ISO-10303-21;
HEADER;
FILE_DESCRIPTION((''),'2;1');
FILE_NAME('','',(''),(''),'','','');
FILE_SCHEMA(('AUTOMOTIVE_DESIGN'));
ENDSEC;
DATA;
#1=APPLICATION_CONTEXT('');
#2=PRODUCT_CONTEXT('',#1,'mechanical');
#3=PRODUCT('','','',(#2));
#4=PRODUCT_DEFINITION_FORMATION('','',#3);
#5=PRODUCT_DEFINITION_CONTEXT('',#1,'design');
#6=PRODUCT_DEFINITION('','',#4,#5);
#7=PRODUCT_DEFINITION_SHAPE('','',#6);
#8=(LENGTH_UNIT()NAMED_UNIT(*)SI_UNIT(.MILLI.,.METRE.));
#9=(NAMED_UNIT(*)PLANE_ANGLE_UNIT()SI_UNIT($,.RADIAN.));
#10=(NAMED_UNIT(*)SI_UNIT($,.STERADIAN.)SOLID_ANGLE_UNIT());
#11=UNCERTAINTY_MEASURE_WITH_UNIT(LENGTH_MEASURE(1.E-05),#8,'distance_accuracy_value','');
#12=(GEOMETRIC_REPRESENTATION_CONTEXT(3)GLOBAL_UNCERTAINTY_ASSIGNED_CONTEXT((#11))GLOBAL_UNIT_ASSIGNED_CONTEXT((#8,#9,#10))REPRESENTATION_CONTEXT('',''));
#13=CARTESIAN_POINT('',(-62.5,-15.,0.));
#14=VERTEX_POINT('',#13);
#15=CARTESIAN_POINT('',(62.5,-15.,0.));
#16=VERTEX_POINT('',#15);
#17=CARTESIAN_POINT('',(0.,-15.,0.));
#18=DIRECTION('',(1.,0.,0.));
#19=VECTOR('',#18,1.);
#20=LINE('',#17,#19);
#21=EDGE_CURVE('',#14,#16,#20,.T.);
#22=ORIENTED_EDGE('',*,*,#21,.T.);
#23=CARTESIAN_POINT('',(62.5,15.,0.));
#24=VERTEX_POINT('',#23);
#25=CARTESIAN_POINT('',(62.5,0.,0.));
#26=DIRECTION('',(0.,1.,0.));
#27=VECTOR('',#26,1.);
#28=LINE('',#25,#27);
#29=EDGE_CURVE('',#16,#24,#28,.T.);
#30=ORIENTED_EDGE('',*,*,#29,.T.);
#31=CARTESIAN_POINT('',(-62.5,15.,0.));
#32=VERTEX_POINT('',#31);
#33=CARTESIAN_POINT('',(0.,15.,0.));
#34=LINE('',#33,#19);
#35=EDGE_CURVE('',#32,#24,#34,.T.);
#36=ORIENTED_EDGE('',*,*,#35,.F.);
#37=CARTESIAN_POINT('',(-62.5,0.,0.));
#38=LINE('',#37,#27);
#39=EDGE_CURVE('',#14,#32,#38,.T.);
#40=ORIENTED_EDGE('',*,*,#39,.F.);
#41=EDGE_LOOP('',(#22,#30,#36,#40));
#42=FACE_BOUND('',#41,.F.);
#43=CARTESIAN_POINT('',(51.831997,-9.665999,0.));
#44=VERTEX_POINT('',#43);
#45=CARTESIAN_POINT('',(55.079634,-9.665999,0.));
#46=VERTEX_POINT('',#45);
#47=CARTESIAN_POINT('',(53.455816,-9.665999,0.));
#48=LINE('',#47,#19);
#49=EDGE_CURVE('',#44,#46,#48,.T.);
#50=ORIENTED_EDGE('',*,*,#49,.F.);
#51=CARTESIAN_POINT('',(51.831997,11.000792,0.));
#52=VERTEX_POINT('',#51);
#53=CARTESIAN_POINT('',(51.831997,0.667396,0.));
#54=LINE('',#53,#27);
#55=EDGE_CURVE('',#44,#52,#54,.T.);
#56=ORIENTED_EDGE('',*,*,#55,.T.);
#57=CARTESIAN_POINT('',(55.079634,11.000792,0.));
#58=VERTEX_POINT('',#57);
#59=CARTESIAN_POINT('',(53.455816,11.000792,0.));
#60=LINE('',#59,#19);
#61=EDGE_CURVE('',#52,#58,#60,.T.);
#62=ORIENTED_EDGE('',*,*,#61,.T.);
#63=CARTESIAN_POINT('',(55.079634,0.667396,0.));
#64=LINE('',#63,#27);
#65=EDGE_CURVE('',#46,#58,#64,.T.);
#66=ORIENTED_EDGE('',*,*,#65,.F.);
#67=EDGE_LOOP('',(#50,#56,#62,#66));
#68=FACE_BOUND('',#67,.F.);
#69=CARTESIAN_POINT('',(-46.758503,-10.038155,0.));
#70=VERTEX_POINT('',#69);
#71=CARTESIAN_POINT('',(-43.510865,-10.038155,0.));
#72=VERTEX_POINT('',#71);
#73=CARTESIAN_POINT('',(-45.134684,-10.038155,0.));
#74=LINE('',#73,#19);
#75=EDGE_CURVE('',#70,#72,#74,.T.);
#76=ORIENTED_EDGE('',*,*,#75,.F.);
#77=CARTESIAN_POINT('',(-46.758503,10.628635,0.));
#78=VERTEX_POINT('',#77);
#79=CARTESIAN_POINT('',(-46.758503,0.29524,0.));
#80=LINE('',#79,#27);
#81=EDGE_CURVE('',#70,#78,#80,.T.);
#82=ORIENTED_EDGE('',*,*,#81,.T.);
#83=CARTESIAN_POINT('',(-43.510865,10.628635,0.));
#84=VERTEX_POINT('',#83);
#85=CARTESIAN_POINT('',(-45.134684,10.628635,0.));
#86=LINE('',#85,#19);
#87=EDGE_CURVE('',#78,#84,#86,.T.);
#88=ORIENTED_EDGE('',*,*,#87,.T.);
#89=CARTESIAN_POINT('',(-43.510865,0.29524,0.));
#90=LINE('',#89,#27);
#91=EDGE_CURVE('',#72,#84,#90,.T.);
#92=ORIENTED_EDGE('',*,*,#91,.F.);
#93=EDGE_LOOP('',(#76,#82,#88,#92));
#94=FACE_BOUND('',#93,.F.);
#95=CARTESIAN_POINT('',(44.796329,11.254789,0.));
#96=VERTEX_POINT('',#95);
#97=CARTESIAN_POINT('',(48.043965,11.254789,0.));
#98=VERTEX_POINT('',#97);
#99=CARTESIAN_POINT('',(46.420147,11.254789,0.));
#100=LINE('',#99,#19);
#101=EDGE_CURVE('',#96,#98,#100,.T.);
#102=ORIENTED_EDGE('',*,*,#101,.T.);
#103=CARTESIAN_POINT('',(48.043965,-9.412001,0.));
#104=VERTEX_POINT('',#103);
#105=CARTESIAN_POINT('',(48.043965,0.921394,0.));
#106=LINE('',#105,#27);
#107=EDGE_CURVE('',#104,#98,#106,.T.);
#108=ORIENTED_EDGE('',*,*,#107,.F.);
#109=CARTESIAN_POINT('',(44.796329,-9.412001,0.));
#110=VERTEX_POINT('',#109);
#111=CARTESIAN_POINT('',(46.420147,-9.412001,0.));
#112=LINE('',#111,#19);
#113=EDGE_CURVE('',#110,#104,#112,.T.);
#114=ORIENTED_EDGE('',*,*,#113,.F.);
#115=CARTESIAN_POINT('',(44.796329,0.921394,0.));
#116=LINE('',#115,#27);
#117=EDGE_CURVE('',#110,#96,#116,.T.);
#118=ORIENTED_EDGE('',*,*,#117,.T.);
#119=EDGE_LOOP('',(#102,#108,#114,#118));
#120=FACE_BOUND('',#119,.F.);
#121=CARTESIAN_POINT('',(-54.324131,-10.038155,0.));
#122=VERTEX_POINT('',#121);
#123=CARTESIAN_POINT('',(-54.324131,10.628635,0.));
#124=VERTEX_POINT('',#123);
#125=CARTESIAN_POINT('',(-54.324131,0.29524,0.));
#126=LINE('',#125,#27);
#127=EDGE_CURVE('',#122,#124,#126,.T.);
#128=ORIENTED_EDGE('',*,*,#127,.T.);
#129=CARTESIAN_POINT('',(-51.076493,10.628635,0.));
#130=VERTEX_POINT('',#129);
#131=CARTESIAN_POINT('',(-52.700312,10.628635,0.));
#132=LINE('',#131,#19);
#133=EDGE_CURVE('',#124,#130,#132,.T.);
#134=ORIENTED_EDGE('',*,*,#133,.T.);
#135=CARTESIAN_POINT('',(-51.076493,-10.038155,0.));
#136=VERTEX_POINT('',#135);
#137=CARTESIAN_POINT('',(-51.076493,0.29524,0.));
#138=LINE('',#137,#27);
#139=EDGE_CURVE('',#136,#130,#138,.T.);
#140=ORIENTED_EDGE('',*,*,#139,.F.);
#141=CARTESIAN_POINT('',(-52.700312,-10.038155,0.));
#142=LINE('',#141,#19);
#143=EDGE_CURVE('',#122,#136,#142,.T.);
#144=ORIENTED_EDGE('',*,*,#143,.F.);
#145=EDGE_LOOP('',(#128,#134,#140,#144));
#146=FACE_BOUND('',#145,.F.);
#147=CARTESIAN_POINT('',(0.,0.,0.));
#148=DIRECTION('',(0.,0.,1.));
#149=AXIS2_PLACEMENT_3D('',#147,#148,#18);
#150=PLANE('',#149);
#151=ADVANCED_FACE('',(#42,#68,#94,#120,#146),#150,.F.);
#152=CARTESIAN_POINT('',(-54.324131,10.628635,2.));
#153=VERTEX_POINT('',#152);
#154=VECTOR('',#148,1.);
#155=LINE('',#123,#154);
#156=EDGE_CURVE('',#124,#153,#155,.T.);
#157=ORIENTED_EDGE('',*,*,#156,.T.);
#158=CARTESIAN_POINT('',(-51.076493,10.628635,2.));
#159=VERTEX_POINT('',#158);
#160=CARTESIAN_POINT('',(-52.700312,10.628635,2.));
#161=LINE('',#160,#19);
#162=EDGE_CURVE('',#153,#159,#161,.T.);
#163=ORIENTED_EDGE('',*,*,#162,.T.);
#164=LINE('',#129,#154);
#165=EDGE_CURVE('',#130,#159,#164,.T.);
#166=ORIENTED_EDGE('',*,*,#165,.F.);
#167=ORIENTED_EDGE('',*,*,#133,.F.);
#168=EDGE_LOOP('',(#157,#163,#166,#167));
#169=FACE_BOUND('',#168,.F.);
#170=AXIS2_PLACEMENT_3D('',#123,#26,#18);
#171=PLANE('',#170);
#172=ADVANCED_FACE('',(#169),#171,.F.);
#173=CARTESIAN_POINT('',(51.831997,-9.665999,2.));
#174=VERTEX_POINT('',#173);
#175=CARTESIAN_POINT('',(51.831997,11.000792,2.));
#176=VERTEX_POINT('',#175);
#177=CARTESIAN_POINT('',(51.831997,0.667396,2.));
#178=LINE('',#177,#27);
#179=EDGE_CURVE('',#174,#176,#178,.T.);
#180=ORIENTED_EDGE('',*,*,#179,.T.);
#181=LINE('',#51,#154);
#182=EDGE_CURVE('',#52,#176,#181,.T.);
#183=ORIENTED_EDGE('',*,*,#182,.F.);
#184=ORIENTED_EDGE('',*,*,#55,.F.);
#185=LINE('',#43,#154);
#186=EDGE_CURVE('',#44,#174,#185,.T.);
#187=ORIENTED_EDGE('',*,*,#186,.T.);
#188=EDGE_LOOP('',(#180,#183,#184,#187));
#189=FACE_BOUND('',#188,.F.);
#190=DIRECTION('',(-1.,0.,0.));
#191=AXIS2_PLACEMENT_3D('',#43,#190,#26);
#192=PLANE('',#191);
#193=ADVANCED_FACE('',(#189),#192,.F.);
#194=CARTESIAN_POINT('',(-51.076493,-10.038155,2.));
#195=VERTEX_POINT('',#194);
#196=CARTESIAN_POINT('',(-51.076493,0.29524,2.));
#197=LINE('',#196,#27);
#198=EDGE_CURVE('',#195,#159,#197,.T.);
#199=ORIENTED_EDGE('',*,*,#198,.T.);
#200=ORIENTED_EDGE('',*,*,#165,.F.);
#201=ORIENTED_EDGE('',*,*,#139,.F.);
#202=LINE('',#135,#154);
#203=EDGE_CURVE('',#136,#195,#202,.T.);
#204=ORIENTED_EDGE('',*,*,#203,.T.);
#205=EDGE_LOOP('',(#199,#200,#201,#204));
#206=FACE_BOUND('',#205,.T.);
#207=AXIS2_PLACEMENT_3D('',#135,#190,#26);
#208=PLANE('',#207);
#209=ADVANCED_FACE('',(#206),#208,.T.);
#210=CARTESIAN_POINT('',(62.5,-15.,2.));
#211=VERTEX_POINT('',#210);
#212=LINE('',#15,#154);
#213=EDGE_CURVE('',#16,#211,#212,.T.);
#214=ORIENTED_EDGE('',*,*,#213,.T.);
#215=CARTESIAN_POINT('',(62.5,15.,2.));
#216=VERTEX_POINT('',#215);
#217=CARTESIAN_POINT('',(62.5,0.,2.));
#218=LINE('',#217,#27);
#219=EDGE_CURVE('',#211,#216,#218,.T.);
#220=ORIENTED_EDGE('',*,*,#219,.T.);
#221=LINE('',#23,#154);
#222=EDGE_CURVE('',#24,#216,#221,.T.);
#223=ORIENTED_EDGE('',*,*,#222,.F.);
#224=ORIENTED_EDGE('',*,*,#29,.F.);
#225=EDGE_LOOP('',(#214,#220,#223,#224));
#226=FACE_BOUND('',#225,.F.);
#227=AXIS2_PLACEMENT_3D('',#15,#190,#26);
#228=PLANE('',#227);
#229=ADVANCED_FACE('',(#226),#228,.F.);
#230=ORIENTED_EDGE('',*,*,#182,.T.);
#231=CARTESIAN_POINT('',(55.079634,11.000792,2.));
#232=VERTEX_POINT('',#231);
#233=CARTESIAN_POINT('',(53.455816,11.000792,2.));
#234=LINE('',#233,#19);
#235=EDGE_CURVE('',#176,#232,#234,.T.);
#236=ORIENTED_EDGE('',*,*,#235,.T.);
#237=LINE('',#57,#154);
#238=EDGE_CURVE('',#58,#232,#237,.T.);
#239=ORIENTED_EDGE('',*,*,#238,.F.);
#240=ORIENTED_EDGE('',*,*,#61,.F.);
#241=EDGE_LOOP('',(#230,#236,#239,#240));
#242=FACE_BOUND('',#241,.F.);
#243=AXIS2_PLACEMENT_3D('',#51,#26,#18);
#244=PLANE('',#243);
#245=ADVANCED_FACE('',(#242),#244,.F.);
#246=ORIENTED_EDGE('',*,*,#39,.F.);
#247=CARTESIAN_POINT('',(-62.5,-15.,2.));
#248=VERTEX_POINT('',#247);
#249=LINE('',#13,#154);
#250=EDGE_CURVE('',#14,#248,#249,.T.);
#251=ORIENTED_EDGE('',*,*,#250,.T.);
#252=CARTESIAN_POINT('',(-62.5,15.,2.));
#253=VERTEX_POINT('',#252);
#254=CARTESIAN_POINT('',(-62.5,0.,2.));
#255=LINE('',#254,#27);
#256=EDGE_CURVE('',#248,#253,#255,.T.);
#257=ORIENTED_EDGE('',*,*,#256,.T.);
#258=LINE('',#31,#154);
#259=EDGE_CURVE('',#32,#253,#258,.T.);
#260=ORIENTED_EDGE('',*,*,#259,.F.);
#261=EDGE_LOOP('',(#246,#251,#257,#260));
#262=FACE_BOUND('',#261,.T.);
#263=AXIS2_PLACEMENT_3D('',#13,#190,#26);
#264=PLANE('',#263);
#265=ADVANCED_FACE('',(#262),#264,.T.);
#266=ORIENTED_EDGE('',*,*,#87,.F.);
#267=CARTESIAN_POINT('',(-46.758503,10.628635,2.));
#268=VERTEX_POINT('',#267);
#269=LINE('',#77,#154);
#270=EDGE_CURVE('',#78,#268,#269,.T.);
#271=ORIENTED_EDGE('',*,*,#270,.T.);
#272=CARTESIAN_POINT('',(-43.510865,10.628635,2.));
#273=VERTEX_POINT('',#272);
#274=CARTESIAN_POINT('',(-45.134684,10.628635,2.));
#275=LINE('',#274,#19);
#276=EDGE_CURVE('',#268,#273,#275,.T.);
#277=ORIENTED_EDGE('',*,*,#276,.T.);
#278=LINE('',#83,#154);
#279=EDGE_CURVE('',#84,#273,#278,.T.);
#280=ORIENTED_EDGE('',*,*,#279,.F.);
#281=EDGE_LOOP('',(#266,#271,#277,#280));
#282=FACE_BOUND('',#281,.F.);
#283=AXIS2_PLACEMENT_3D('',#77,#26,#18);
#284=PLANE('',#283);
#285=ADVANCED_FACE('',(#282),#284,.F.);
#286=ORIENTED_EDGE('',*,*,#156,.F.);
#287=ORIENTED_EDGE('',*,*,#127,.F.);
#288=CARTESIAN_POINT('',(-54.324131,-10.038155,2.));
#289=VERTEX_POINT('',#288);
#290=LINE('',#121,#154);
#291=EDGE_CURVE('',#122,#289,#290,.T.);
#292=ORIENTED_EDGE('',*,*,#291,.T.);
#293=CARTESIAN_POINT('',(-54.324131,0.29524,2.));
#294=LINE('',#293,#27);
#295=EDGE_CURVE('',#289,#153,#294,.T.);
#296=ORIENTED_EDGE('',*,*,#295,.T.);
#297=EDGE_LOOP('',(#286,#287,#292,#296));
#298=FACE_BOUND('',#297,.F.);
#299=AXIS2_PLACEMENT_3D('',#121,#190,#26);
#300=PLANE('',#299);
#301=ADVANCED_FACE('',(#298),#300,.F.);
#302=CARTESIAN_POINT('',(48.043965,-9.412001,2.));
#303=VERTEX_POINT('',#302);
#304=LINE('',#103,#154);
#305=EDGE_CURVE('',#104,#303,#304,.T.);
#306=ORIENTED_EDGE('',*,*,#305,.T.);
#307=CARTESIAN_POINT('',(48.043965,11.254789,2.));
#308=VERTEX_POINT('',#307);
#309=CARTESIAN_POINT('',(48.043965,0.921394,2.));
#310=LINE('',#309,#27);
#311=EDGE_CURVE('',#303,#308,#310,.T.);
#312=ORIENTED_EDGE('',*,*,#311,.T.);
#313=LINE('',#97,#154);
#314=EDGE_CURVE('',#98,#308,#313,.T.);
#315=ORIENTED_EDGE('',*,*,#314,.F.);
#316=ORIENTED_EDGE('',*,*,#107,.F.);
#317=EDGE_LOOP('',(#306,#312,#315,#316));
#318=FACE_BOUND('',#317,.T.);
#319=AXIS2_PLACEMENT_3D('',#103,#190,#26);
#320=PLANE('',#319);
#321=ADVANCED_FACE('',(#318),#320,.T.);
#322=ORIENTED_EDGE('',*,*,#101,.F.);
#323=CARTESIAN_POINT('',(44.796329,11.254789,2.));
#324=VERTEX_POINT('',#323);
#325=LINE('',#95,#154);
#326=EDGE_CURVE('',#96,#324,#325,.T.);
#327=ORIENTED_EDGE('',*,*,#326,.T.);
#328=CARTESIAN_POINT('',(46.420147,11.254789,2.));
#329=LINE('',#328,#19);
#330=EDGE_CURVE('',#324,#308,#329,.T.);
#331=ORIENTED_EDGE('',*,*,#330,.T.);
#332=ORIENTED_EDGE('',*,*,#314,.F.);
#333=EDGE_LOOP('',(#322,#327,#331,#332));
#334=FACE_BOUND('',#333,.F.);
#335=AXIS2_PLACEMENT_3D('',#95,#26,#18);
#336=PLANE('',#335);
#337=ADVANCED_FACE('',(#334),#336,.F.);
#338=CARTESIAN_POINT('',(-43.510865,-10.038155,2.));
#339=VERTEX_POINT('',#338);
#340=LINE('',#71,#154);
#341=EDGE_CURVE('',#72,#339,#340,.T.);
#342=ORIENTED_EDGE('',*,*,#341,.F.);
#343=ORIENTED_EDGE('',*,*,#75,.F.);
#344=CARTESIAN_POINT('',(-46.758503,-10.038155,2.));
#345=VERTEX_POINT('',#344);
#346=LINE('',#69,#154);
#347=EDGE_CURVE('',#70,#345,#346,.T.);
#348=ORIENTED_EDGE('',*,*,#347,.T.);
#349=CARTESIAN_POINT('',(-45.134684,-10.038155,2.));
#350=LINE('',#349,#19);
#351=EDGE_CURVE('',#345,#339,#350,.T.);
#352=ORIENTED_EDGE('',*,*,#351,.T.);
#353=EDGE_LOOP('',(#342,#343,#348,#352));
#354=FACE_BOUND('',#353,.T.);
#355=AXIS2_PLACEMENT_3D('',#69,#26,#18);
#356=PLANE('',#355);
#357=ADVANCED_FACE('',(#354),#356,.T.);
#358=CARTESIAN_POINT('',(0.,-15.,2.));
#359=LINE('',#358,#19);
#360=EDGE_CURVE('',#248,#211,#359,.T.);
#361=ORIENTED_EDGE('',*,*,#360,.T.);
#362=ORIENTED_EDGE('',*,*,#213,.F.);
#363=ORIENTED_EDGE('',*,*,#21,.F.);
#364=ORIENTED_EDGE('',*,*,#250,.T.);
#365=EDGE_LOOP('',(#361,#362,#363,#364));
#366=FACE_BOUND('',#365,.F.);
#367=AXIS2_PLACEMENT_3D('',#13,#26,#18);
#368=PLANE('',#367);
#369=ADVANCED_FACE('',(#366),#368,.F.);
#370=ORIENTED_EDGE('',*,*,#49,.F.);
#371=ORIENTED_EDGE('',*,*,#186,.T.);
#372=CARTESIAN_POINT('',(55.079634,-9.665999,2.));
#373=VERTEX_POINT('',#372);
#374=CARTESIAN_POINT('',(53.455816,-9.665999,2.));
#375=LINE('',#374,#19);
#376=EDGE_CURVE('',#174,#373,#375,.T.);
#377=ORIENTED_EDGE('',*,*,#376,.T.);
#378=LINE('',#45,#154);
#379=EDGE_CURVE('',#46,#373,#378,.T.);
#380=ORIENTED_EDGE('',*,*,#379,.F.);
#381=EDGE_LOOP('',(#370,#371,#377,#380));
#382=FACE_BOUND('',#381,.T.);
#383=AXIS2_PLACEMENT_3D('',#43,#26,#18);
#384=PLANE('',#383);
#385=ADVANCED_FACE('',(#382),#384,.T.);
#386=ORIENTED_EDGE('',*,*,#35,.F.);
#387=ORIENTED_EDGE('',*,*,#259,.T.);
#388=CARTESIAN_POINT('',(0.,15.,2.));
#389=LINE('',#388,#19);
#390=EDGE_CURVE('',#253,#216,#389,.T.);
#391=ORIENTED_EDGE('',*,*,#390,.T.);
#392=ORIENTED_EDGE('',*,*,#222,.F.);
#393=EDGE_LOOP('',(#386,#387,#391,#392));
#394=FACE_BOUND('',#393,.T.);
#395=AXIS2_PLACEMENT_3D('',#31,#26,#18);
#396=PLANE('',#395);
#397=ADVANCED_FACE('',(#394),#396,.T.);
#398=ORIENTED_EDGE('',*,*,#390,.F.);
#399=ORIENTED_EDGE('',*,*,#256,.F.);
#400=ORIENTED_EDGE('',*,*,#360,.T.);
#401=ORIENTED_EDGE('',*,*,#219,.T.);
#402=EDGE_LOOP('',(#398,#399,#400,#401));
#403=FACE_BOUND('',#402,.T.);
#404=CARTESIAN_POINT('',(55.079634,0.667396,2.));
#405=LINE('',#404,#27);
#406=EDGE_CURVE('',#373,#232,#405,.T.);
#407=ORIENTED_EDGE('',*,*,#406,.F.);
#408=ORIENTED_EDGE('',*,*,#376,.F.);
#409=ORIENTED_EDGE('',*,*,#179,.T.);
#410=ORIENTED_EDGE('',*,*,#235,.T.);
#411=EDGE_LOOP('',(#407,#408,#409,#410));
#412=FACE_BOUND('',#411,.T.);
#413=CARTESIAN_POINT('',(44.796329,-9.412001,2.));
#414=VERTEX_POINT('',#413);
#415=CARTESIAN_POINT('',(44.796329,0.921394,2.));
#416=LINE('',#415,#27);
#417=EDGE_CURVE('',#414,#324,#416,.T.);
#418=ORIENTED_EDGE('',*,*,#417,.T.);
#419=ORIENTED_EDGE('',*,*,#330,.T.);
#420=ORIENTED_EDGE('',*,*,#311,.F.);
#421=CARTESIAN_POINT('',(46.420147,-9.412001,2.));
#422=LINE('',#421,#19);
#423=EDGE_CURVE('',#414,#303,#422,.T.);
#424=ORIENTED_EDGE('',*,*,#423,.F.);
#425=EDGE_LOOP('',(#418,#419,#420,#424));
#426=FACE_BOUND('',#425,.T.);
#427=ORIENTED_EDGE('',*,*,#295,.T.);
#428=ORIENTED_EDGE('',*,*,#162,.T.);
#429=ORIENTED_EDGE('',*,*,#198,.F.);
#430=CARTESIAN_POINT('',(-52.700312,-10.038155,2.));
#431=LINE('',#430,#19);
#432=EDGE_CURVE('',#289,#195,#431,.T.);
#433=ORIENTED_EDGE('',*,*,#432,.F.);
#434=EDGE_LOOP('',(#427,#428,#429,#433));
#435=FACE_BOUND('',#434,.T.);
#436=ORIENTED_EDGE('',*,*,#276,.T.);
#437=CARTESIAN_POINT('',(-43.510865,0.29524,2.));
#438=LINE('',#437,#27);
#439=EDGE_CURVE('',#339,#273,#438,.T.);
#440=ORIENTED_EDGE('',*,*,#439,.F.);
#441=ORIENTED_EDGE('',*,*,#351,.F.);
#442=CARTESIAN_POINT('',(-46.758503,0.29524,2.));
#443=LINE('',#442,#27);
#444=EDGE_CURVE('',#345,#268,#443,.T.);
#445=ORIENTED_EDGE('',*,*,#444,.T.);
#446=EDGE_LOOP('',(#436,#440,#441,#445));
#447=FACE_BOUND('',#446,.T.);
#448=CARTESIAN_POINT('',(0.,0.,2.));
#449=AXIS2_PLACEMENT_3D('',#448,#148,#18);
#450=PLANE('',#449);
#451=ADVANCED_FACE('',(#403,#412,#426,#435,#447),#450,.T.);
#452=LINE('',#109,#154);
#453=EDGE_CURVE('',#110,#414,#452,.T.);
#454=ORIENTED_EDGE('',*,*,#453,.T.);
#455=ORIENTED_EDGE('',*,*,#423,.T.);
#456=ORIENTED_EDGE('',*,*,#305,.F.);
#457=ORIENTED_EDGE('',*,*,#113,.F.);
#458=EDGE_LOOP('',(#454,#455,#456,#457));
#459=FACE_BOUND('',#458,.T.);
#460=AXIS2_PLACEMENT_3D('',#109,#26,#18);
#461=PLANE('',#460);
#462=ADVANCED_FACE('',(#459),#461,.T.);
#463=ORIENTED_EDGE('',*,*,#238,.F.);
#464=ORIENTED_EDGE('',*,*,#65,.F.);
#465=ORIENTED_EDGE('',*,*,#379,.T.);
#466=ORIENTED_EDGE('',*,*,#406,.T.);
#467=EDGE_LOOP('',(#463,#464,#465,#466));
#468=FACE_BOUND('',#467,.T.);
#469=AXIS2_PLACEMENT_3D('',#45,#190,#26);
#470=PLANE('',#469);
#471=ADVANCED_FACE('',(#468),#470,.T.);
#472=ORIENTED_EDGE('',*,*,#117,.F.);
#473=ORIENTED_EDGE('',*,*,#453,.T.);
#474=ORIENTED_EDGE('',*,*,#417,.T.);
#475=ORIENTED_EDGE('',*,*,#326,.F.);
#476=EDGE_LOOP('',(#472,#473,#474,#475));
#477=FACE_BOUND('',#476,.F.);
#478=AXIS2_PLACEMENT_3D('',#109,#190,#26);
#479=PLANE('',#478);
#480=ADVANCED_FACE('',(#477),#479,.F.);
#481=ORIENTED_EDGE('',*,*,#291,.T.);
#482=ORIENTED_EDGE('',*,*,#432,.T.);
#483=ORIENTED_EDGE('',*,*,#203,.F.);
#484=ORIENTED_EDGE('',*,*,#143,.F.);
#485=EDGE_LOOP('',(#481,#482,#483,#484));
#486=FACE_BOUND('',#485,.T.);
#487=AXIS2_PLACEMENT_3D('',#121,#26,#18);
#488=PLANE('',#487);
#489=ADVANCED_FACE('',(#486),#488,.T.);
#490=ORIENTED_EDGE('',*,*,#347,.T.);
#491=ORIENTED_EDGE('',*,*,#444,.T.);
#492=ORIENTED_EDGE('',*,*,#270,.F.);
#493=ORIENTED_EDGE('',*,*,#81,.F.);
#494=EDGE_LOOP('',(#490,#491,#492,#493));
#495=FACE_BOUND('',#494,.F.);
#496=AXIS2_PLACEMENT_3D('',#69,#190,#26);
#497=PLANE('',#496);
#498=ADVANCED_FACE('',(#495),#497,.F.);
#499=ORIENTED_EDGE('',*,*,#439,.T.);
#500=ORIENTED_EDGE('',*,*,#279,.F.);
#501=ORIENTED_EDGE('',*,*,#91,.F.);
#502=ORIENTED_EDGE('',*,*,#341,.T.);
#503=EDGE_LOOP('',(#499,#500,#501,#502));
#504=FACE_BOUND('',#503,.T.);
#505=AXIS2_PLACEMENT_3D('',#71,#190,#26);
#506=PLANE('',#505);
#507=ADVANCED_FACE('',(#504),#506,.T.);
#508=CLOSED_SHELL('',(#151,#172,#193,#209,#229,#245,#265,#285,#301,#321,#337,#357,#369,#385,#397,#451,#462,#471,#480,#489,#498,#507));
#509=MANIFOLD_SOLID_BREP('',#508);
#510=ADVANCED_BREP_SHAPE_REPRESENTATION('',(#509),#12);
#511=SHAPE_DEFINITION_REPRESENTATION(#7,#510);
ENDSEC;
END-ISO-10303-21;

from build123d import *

# Parameters (mm, degrees)
F0_W     = 125
F0_H     = 30
F0_W_2   = 3.247637
F0_H_2   = 20.66679
F0_W_3   = 3.247638
F0_H_3   = 20.666791
F1_DEPTH = 2


with BuildPart() as f1:
    # F0 (on Top) → F1 (new body)
    with BuildSketch(Plane.XY):
        Rectangle(F0_W, F0_H)
        with Locations((-52.700312, 0.29524)):
            Rectangle(F0_W_2, F0_H_2, mode=Mode.SUBTRACT)
        with Locations((-45.134684, 0.29524)):
            Rectangle(F0_W_3, F0_H_2, mode=Mode.SUBTRACT)
        with Locations((46.420147, 0.921394)):
            Rectangle(F0_W_2, F0_H_2, mode=Mode.SUBTRACT)
        with Locations((53.455816, 0.667396)):
            Rectangle(F0_W_2, F0_H_3, mode=Mode.SUBTRACT)
    extrude(amount=F1_DEPTH)


solid = f1.part
